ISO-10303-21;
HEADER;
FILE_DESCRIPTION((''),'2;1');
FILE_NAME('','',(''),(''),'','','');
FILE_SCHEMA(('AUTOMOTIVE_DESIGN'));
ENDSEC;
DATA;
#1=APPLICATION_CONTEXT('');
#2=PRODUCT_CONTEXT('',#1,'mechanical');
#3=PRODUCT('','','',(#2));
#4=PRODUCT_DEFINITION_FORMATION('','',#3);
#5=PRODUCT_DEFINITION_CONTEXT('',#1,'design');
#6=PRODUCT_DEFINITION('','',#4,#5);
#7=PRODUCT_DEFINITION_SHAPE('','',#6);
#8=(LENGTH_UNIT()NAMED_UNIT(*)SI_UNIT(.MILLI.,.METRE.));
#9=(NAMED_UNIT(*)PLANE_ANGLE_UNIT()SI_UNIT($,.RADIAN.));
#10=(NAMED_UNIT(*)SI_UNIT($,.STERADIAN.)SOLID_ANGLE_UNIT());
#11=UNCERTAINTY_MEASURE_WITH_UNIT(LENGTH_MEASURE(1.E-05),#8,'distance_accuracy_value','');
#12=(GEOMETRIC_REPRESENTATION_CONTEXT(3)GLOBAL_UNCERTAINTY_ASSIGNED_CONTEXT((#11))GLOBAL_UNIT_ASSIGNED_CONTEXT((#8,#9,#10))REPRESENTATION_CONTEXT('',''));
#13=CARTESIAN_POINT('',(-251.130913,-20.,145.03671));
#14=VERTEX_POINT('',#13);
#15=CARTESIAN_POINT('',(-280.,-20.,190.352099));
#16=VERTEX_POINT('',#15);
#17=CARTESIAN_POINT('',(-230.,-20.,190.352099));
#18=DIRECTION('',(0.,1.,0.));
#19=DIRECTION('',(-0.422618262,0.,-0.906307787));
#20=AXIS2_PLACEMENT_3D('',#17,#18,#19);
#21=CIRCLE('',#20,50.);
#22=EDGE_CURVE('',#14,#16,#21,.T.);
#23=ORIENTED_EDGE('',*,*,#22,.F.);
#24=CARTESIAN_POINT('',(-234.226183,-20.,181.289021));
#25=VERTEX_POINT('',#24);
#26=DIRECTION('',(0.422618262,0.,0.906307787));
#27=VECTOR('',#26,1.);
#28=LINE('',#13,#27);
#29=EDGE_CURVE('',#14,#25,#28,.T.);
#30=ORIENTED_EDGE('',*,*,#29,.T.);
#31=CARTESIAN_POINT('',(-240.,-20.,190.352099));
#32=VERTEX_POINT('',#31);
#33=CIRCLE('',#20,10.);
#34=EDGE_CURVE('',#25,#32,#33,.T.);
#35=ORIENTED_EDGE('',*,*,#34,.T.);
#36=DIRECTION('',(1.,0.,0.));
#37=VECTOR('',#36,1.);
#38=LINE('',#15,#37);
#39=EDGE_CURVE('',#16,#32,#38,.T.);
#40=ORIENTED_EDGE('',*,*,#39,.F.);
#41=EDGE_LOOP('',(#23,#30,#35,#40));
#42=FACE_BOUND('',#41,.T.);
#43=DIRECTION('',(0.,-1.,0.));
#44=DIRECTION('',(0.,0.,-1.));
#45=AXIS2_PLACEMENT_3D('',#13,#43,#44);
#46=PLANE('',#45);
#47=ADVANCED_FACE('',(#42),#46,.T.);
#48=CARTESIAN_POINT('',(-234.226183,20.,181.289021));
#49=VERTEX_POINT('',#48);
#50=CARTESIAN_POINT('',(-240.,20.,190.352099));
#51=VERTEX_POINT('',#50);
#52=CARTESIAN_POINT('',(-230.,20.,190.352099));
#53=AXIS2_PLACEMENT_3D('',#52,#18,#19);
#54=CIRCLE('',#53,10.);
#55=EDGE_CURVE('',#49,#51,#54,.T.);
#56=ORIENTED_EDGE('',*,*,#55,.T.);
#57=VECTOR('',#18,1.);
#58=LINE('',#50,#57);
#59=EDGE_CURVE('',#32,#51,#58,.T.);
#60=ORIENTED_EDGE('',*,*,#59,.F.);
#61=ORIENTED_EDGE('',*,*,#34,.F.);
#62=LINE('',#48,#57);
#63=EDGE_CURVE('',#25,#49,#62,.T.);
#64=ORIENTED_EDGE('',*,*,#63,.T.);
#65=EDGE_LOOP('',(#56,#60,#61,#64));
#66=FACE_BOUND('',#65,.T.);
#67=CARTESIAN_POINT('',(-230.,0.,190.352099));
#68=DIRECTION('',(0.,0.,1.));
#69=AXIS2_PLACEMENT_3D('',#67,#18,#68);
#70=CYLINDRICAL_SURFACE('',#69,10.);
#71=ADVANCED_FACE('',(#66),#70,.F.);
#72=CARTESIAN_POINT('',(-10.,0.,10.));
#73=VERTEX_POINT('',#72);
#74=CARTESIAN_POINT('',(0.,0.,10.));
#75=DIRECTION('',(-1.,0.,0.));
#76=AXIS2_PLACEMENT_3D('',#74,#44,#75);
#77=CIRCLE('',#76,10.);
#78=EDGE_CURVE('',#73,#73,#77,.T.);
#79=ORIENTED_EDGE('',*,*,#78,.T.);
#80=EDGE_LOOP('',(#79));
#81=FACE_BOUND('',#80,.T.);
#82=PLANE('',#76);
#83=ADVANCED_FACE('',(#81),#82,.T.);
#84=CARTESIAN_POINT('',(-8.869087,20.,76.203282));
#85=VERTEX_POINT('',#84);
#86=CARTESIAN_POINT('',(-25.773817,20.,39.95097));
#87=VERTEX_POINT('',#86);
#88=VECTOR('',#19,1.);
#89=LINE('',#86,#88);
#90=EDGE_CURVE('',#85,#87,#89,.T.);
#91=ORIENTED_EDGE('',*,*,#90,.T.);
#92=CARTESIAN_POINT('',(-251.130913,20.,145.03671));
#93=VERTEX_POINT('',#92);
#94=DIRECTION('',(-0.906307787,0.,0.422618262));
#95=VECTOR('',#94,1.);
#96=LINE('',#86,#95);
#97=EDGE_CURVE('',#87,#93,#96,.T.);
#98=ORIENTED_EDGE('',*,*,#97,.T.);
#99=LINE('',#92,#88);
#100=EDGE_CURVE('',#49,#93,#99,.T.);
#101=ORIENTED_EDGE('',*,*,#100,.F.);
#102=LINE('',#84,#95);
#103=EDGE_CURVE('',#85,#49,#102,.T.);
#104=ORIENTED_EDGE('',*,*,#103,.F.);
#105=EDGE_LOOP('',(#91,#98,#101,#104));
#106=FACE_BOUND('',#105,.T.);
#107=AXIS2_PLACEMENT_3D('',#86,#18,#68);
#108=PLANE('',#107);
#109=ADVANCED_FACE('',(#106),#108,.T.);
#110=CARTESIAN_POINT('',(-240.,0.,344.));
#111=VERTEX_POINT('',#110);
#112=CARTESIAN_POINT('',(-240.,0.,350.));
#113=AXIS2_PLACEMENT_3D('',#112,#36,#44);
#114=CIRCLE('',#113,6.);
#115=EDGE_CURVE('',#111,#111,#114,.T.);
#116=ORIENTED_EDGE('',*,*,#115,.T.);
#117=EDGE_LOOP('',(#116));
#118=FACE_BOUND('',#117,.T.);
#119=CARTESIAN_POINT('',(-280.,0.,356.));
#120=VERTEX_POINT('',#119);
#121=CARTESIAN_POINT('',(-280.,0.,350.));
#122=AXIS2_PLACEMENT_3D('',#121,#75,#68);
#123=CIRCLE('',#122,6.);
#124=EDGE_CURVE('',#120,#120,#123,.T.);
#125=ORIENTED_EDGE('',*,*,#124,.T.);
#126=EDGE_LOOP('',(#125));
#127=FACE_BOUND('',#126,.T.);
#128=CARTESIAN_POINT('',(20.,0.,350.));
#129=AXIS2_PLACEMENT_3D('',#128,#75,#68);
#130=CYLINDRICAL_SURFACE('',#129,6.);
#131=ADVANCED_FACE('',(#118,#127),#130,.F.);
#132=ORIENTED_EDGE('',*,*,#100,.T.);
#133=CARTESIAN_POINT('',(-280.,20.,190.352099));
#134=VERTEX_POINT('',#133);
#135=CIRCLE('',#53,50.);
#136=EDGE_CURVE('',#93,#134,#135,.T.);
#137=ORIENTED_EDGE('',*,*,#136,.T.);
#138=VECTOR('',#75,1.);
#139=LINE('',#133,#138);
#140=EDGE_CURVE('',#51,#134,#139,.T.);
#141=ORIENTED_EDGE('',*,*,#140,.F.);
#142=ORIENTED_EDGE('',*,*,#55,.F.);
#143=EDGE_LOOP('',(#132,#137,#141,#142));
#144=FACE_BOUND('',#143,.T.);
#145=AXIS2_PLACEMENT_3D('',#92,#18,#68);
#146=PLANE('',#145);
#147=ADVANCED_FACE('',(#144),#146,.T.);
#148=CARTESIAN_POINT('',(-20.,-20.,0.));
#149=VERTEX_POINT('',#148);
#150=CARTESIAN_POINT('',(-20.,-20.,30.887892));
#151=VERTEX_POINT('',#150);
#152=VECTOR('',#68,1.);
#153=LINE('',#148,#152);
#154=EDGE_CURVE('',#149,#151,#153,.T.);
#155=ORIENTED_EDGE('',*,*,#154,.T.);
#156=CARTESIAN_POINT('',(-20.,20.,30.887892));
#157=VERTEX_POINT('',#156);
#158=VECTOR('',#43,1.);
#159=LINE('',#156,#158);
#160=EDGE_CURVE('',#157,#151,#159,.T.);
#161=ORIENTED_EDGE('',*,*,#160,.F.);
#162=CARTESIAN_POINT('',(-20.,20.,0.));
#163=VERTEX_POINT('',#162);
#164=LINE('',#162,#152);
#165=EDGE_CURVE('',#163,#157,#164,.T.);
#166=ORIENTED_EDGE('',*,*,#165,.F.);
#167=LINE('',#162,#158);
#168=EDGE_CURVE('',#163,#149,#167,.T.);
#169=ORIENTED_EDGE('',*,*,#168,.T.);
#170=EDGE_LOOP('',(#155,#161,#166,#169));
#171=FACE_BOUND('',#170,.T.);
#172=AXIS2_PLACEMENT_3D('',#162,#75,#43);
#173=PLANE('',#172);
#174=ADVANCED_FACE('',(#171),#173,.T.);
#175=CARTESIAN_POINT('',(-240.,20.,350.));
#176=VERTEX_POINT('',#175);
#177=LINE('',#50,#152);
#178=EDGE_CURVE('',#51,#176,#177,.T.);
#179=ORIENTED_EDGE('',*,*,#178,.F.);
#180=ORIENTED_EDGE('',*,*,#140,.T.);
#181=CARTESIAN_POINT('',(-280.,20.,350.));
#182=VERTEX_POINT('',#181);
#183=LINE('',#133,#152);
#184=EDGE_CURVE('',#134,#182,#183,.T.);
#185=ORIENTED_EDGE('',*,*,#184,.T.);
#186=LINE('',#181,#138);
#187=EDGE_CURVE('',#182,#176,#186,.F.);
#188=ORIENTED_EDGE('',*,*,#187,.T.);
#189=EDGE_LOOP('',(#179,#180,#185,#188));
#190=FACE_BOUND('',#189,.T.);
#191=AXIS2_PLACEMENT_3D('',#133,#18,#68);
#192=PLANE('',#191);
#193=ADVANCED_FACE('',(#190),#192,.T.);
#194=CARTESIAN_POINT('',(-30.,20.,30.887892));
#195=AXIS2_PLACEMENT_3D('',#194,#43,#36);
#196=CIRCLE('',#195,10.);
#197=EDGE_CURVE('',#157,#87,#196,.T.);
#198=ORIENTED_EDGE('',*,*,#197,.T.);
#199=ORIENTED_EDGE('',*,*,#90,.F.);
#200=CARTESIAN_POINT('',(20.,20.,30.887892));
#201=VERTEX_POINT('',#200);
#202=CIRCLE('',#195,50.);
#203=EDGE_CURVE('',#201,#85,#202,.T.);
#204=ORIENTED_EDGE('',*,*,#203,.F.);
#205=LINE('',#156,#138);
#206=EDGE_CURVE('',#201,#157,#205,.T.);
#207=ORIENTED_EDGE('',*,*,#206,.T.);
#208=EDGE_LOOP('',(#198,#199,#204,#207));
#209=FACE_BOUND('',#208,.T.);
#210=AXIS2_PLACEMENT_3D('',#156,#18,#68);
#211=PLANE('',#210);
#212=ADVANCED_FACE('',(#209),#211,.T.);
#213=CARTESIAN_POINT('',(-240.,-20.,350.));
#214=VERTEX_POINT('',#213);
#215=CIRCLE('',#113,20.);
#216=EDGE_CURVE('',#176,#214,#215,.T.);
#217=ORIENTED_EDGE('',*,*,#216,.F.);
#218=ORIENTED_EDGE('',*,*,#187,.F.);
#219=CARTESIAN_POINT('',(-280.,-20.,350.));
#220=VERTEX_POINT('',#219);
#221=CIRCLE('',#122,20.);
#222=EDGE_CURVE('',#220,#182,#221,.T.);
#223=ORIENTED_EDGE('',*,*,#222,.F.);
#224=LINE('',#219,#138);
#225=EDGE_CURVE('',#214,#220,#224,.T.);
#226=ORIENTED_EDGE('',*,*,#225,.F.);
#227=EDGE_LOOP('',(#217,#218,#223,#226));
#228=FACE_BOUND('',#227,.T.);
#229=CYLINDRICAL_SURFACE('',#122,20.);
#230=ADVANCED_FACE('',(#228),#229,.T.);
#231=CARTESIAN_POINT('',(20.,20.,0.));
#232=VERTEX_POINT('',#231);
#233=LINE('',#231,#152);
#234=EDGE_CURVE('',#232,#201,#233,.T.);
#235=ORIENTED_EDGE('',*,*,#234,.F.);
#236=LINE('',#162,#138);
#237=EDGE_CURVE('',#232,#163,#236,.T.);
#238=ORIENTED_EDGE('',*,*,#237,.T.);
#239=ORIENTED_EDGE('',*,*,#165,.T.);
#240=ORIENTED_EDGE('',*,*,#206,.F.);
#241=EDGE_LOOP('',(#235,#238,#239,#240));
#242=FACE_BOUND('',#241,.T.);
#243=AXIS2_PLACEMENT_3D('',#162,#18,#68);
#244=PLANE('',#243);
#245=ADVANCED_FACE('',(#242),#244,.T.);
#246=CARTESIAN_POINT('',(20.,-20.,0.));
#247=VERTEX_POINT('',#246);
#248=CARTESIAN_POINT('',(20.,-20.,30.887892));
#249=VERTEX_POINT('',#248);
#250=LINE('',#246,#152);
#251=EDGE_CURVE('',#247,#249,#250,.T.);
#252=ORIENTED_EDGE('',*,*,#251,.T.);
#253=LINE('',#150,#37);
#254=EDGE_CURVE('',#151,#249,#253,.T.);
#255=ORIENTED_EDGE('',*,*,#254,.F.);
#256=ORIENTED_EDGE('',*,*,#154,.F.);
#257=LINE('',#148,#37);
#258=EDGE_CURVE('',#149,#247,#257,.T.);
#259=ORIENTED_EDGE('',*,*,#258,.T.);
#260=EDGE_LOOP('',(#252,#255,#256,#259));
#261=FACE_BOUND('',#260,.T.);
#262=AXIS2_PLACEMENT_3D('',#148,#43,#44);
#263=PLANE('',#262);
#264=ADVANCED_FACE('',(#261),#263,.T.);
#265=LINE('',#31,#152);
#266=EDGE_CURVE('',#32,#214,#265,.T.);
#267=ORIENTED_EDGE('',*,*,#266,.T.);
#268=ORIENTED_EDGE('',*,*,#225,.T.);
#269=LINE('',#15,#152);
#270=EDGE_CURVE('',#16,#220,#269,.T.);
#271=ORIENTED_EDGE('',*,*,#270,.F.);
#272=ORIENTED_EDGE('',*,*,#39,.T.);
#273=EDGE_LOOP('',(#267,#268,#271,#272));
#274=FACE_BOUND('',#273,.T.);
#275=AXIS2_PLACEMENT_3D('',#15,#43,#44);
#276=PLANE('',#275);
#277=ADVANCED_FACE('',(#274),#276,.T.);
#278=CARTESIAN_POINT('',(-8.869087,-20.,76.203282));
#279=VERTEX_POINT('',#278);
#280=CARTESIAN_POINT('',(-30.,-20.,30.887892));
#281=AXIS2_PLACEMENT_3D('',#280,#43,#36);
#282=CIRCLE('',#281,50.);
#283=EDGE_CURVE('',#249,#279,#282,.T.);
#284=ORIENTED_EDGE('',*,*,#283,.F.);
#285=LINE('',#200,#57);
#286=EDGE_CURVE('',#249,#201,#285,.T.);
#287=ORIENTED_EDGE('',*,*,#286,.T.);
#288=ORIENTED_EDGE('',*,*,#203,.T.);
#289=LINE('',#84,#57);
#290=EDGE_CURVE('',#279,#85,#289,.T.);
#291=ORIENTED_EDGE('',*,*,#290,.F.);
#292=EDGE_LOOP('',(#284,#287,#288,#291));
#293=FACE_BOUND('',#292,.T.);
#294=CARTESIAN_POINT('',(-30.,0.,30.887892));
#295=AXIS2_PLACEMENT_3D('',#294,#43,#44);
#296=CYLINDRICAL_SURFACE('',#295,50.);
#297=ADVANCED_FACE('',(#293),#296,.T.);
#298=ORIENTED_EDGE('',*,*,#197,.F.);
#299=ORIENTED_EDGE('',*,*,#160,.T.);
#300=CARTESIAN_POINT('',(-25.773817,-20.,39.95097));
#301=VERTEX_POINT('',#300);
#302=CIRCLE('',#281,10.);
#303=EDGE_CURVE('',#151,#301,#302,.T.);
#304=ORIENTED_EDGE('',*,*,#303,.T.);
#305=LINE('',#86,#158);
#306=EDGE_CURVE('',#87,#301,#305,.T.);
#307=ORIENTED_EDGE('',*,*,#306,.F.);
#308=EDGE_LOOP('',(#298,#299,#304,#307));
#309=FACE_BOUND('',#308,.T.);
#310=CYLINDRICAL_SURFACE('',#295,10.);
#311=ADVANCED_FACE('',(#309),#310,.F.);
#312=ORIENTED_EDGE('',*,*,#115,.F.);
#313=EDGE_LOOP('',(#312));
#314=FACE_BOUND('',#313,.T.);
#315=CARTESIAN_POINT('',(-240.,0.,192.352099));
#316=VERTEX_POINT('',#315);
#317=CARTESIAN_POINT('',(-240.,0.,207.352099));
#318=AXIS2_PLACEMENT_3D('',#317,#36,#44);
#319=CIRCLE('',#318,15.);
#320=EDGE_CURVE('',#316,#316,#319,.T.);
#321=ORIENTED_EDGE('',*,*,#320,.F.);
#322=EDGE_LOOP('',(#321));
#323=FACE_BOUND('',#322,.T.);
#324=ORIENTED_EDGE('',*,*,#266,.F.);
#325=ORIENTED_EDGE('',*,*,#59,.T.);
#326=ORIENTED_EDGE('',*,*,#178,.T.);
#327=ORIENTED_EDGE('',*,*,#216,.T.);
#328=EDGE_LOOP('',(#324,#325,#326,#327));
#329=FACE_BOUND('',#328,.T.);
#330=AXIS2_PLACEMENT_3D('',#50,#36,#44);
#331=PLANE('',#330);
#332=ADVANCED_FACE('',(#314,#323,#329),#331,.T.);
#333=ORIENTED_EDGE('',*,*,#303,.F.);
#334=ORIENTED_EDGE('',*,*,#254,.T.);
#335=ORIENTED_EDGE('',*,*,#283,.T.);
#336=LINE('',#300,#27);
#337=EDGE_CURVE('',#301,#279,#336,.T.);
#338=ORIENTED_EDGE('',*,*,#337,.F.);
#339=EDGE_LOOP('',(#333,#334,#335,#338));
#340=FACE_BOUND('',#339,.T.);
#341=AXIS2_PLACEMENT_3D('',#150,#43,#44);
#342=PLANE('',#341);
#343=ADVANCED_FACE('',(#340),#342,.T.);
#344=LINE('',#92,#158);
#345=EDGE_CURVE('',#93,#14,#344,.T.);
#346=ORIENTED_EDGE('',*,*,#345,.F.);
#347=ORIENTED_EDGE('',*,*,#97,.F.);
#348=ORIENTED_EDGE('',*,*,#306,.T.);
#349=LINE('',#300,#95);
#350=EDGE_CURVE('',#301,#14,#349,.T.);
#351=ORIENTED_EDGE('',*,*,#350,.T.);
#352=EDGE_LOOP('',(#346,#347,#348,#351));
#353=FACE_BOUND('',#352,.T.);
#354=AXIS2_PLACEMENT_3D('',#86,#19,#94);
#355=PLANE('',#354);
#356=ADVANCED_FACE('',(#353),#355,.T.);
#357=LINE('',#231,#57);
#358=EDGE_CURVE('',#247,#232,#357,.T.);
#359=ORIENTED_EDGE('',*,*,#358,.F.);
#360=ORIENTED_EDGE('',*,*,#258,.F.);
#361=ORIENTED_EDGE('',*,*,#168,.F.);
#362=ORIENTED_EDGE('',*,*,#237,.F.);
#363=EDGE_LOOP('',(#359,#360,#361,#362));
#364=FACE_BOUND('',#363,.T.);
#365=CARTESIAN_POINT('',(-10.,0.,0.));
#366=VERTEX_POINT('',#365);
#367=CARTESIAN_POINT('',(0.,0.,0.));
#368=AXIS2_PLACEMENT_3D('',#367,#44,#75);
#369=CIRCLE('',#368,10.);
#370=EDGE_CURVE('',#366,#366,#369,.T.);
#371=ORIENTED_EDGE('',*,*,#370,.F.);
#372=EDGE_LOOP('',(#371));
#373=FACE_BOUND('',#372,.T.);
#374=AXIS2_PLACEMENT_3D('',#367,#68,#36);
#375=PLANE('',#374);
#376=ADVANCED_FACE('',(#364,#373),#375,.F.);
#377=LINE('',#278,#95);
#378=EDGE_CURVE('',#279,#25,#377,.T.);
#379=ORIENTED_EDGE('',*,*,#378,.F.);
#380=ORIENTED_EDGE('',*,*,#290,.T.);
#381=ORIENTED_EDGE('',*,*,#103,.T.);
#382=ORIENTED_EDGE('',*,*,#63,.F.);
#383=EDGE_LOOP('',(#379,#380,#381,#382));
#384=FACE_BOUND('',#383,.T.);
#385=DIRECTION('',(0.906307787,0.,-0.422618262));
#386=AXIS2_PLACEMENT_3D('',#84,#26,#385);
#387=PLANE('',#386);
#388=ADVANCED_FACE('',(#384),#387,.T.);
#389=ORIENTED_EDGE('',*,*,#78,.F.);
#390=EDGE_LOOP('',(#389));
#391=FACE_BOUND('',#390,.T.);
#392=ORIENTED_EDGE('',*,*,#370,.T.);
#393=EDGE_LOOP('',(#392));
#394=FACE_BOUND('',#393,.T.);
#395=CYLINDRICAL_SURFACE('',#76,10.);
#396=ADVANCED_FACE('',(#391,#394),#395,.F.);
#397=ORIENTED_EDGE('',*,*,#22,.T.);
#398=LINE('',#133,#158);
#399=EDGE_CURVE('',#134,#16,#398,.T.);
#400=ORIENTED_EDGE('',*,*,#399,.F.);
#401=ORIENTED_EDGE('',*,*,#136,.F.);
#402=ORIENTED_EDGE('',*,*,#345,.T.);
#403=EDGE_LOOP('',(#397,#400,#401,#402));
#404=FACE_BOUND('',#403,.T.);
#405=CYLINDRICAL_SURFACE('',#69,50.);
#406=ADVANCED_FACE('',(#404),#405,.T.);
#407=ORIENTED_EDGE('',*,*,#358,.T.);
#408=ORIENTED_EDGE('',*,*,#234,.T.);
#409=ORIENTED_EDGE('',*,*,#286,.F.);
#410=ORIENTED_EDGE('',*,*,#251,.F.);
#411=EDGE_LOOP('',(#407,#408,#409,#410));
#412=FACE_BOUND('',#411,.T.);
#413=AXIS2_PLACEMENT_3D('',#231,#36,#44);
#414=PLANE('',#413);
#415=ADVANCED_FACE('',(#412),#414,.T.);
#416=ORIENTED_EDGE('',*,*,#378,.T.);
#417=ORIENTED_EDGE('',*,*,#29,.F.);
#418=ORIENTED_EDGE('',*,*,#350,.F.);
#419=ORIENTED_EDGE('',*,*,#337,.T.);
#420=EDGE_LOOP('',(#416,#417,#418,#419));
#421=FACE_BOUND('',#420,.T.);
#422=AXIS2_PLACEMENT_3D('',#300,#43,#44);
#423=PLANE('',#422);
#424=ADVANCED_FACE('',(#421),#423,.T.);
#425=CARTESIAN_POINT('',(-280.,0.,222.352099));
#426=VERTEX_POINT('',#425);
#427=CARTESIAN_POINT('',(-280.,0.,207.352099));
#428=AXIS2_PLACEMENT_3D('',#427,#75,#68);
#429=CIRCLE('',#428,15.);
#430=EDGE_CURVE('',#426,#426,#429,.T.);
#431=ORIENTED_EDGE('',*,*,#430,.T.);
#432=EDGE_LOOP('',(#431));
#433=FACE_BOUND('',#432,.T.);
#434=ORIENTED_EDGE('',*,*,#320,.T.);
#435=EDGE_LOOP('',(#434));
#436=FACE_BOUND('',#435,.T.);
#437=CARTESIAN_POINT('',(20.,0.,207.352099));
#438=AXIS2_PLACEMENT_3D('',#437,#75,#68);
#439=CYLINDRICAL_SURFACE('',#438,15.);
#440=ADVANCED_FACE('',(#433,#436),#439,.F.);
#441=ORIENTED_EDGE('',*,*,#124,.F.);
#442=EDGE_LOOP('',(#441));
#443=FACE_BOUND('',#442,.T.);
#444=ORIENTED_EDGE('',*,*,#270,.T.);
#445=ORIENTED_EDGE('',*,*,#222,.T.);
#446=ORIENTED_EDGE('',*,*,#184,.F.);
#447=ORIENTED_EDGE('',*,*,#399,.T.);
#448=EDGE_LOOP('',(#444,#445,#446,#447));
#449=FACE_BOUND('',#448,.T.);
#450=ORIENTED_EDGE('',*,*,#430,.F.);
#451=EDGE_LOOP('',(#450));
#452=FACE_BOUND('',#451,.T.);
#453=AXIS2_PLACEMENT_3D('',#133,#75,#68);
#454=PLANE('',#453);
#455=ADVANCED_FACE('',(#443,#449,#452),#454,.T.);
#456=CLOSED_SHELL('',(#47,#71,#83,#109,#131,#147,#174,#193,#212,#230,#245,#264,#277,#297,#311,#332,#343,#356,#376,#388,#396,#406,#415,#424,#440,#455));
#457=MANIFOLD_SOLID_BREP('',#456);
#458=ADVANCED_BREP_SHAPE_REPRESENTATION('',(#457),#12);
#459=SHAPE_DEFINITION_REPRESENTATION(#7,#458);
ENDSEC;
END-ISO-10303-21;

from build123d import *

# Parameters (mm, degrees)
SKETCH_2_W          = 40
SKETCH_2_H          = 40
FILLET_1_RADIUS     = 20
FILLET_1_LENGTH     = 40
SKETCH_3_R          = 6
CUT_EXTRUDE_1_DEPTH = 477.759897642
SKETCH_4_R          = 10
CUT_EXTRUDE_2_DEPTH = 10
SKETCH_5_R          = 15
CUT_EXTRUDE_3_DEPTH = 477.759897642


with BuildPart() as part:
    # 扫描1: sweep along a path in 草图1
    with BuildLine(Plane(origin=(0, 0, 0), x_dir=(1, 0, 0), z_dir=(0, 1, 0))) as sweep_1_path:
        Line((0, 0), (0, -30.887892176))
        ThreePointArc((0, -30.887892176), (-4.698256626, -47.006880426), (-17.321452148, -58.077125787))
        Line((-17.321452148, -58.077125787), (-242.678547852, -163.162865333))
        ThreePointArc((-242.678547852, -163.162865333), (-255.301743374, -174.233110694), (-260, -190.352098945))
        Line((-260, -190.352098945), (-260, -370))
    # 草图2 → 扫描1 (sweep)
    with BuildSketch(Plane.XY):
        Rectangle(SKETCH_2_W, SKETCH_2_H)
    sweep(path=sweep_1_path.line)

    # 圆角1: full round fillet: the end face becomes a half cylinder, R = half its width
    fillet_1_face = Plane((-260, 0, 370), x_dir=(1, 0, 0), z_dir=(0, 0, 1))  # on the end face: x along it, z out of the body
    fillet_1_slab = fillet_1_face.offset(-FILLET_1_RADIUS / 2) * Box(FILLET_1_LENGTH, 2 * FILLET_1_RADIUS, FILLET_1_RADIUS, mode=Mode.PRIVATE)  # the body's end, R deep
    fillet_1_round = Plane((-260, 0, 350), x_dir=(0, 0, 1), z_dir=(1, 0, 0)) * Cylinder(FILLET_1_RADIUS, FILLET_1_LENGTH, mode=Mode.PRIVATE)  # its axis R under the face
    add(fillet_1_slab - fillet_1_round, mode=Mode.SUBTRACT)

    # 草图3 → 切除-拉伸1 (cut, through all)
    with BuildSketch(Plane.ZY.offset(280)):
        with Locations((350, 0)):
            Circle(SKETCH_3_R)
    extrude(amount=-CUT_EXTRUDE_1_DEPTH, mode=Mode.SUBTRACT)

    # 草图4 → 切除-拉伸2 (cut)
    with BuildSketch(Plane(origin=(0, 0, 0), x_dir=(-1, 0, 0), z_dir=(0, 0, -1))):
        Circle(SKETCH_4_R)
    extrude(amount=-CUT_EXTRUDE_2_DEPTH, mode=Mode.SUBTRACT)

    # 草图5 → 切除-拉伸3 (cut, through all)
    with BuildSketch(Plane.ZY.offset(280)):
        with Locations((207.352098945, 0)):
            Circle(SKETCH_5_R)
    extrude(amount=-CUT_EXTRUDE_3_DEPTH, mode=Mode.SUBTRACT)


solid = part.part
